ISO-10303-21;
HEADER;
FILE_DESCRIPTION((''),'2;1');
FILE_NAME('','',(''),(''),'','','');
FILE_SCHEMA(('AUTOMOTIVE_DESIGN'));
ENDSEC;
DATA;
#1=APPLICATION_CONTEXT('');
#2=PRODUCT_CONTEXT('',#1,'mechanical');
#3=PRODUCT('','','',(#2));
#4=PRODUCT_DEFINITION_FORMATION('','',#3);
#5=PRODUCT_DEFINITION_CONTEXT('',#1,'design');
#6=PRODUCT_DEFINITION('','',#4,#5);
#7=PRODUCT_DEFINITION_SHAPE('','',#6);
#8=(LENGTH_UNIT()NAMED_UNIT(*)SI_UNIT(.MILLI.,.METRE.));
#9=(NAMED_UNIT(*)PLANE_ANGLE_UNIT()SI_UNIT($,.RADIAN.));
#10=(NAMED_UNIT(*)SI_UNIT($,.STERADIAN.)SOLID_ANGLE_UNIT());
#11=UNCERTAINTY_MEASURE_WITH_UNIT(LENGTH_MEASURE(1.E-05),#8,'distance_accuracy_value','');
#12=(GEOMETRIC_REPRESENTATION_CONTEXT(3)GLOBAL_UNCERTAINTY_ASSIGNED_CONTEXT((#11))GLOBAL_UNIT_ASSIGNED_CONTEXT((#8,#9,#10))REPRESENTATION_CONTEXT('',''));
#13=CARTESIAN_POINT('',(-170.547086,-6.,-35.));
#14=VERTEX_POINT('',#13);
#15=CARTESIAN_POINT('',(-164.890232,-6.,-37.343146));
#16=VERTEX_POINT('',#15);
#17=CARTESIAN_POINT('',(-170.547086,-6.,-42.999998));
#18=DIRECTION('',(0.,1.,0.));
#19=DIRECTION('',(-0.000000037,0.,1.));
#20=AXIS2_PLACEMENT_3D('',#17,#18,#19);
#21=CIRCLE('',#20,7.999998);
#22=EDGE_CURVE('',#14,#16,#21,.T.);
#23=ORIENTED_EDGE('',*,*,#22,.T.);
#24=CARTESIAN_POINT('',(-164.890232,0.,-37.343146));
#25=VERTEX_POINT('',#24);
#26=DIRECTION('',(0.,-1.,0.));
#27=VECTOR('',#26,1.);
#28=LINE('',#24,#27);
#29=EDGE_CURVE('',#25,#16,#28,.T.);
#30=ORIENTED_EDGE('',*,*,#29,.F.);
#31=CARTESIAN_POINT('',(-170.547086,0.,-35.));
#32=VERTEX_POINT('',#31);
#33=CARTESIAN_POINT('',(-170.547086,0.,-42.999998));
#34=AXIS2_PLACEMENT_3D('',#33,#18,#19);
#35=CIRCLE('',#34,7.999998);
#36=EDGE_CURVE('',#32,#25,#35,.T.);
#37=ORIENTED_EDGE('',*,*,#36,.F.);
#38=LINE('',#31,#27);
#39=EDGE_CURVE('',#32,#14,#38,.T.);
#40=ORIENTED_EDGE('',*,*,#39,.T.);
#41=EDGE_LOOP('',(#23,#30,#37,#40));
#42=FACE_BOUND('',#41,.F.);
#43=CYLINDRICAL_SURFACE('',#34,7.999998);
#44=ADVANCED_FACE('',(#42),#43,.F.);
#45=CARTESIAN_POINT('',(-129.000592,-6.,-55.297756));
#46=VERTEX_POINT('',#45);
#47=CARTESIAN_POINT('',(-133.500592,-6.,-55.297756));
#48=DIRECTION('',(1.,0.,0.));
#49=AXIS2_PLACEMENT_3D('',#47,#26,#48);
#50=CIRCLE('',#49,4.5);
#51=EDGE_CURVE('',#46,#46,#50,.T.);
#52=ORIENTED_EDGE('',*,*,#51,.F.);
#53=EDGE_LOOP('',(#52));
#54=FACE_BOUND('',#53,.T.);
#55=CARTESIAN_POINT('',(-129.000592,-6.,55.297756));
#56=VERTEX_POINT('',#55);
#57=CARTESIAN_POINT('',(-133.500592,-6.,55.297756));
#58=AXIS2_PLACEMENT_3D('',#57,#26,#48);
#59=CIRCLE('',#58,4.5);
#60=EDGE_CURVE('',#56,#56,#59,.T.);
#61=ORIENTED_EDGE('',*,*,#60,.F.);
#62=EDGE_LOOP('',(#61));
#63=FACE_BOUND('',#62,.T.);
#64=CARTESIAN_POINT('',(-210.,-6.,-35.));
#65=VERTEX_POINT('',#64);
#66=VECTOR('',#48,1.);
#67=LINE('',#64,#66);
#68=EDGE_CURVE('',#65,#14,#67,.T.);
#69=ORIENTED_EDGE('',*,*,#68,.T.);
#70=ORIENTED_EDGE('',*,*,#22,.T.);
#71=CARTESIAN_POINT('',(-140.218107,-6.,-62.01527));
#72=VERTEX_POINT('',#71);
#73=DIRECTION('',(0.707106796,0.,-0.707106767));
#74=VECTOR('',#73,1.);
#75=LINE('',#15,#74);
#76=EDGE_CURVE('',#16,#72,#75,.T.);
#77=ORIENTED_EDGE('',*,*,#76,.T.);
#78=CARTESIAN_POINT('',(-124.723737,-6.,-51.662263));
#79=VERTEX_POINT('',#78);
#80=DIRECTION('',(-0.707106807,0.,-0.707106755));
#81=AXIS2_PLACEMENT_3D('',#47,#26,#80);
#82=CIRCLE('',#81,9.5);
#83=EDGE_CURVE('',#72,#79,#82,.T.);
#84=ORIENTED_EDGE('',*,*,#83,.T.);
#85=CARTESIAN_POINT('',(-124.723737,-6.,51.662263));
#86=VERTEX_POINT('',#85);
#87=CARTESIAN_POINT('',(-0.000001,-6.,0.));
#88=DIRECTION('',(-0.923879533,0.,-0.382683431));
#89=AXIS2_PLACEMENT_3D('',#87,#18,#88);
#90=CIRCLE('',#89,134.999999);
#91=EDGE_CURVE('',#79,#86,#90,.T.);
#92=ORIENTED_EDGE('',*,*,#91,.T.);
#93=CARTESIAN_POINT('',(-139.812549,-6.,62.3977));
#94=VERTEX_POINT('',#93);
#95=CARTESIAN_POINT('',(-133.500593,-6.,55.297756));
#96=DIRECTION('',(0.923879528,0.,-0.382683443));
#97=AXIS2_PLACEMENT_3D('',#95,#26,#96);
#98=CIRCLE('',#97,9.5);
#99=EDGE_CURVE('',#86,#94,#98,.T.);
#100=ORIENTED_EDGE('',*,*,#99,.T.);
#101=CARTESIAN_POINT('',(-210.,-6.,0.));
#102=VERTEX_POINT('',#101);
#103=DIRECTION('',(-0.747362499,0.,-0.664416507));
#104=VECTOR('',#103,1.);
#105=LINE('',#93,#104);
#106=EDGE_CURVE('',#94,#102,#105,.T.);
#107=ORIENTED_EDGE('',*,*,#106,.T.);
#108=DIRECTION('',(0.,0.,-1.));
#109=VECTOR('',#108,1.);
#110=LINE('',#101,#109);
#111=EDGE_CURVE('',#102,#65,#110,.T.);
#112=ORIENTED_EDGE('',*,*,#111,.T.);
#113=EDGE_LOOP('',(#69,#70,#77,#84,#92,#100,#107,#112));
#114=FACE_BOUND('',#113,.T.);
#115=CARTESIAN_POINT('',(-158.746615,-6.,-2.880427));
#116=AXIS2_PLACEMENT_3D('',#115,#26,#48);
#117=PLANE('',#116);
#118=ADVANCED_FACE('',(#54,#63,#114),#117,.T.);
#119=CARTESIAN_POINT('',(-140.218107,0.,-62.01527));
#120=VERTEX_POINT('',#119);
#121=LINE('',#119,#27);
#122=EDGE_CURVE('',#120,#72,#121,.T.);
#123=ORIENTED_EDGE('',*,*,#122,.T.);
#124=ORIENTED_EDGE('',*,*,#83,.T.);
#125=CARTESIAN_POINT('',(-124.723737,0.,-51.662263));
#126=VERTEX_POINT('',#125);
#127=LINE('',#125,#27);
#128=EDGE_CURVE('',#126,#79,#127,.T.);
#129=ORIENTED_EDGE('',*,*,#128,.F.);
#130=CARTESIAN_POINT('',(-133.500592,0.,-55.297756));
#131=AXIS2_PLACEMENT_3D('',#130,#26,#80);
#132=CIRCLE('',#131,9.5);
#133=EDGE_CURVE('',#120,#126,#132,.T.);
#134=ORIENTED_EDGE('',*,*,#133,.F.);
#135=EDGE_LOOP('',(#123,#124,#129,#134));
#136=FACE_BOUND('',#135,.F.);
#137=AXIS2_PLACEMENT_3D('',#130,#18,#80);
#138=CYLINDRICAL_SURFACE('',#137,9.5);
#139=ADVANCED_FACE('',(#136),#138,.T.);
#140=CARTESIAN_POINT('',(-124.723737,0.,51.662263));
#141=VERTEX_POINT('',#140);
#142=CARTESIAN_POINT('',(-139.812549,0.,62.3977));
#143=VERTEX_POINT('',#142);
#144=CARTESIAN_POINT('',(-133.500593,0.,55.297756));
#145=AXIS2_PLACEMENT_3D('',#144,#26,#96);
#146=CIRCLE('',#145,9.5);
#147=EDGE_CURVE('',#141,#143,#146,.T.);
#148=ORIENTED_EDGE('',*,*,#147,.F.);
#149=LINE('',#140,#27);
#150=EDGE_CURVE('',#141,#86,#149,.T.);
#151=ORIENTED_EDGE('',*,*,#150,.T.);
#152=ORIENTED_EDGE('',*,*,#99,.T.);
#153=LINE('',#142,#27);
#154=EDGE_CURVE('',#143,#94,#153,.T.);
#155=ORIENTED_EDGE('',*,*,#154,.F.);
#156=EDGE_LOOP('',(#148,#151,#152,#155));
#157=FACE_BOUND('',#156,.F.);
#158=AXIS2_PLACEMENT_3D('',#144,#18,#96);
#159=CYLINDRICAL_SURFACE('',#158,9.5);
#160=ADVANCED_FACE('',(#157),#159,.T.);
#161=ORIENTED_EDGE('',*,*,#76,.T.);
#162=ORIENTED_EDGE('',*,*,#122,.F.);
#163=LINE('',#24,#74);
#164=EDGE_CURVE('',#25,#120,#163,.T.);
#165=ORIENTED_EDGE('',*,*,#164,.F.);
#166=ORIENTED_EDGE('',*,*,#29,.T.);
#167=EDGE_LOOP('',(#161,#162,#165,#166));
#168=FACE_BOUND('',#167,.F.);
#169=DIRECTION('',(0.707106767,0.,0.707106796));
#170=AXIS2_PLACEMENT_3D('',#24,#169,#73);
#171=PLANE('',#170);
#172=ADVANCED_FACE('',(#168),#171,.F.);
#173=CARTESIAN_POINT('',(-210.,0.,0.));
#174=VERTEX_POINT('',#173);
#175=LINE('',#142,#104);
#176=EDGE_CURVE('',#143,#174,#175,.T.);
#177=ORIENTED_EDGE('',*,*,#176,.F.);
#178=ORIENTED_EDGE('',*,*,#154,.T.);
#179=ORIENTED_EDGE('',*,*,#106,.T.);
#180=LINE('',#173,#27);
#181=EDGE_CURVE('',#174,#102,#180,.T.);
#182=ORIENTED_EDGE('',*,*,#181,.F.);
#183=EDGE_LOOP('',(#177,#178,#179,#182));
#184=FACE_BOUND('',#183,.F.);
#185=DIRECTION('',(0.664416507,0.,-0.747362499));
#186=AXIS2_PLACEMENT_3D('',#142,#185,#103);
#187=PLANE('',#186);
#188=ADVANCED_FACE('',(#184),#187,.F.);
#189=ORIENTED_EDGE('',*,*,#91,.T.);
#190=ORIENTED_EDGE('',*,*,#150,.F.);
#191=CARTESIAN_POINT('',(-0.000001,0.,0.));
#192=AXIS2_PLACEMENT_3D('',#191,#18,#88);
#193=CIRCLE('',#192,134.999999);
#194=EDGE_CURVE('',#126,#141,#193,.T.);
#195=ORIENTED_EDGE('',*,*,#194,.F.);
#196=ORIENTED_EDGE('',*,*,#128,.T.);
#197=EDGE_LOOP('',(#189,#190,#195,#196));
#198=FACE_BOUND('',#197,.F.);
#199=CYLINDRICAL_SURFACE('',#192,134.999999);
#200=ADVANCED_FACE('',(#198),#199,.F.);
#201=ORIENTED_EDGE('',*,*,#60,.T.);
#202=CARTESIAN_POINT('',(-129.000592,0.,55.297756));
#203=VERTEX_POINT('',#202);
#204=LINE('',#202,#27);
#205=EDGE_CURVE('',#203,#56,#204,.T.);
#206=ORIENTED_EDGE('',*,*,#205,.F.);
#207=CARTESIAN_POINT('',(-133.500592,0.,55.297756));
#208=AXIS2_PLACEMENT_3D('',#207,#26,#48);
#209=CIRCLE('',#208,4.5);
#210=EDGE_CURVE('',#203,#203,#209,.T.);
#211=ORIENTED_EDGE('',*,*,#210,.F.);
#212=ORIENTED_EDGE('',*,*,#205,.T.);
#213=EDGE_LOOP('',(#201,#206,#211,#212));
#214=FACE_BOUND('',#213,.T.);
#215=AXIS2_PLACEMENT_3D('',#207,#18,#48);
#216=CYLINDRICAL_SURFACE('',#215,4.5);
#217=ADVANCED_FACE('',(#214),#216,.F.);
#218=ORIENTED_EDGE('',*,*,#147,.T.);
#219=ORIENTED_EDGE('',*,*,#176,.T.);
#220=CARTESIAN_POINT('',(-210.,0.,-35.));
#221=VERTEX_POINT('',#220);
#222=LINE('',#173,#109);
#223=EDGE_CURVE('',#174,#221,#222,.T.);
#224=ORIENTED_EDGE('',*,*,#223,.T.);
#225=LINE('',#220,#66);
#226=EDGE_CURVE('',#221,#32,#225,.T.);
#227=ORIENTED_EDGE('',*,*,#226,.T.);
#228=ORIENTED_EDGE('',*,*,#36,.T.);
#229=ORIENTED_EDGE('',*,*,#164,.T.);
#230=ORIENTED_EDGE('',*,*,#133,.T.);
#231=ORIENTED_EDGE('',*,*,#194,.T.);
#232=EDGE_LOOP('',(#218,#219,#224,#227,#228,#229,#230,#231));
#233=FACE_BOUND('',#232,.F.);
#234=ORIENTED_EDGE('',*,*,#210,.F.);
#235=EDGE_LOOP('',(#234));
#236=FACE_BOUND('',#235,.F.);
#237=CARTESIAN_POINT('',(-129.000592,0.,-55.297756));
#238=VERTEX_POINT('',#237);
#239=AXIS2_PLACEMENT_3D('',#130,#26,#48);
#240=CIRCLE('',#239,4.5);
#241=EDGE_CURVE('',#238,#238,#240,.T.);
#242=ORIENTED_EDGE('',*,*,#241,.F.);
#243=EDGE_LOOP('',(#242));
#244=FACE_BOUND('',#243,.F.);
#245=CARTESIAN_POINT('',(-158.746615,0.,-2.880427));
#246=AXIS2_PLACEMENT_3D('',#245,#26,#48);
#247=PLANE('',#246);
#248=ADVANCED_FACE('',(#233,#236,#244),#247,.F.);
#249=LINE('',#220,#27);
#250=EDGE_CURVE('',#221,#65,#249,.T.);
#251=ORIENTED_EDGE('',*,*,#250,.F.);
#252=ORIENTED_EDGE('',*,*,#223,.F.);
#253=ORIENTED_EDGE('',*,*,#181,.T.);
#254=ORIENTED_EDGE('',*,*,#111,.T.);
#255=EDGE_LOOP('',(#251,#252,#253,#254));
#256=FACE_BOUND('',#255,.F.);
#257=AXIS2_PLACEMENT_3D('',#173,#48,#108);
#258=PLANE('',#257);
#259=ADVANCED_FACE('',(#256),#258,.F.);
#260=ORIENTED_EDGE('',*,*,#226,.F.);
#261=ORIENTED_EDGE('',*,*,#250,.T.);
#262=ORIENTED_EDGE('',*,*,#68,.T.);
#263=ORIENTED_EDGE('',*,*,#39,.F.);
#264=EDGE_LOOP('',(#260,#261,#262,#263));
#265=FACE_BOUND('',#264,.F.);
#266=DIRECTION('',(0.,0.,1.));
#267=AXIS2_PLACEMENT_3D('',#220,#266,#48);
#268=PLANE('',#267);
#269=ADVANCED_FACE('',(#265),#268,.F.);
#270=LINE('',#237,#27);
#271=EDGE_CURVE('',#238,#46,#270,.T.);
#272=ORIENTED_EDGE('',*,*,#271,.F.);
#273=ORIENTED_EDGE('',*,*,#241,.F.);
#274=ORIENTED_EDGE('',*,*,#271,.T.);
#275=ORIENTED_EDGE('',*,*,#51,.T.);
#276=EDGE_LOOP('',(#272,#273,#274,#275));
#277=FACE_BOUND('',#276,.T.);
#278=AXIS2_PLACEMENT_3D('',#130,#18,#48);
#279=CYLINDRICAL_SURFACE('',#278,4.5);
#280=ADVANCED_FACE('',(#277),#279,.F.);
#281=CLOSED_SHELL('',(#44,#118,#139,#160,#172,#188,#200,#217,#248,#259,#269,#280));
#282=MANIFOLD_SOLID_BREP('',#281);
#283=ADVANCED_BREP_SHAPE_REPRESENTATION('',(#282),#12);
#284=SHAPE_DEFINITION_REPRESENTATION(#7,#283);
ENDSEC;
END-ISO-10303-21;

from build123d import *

# Parameters (mm, degrees)
F0_R     = 4.5
F1_DEPTH = 6


with BuildPart() as f1:
    # F0 (on Front) → F1 (new body)
    with BuildSketch(Plane.XZ):
        with BuildLine():
            ThreePointArc((-140.218107, -62.01527), (-128.222675, -63.196717), (-124.723737, -51.662263))
            ThreePointArc((-124.723737, -51.662263), (-135, 0), (-124.723737, 51.662263))
            ThreePointArc((-124.723737, 51.662263), (-127.993204, 63.038471), (-139.812549, 62.3977))
            Line((-139.812549, 62.3977), (-210, 0))
            Line((-210, 0), (-210, -35))
            Line((-210, -35), (-170.547086, -35))
            ThreePointArc((-170.547086, -35), (-167.485618, -35.608964), (-164.890232, -37.343146))
            Line((-164.890232, -37.343146), (-140.218107, -62.01527))
        make_face()
        with Locations((-133.500592, -55.297756)):
            Circle(F0_R, mode=Mode.SUBTRACT)
        with Locations((-133.500592, 55.297756)):
            Circle(F0_R, mode=Mode.SUBTRACT)
    extrude(amount=F1_DEPTH)


solid = f1.part
